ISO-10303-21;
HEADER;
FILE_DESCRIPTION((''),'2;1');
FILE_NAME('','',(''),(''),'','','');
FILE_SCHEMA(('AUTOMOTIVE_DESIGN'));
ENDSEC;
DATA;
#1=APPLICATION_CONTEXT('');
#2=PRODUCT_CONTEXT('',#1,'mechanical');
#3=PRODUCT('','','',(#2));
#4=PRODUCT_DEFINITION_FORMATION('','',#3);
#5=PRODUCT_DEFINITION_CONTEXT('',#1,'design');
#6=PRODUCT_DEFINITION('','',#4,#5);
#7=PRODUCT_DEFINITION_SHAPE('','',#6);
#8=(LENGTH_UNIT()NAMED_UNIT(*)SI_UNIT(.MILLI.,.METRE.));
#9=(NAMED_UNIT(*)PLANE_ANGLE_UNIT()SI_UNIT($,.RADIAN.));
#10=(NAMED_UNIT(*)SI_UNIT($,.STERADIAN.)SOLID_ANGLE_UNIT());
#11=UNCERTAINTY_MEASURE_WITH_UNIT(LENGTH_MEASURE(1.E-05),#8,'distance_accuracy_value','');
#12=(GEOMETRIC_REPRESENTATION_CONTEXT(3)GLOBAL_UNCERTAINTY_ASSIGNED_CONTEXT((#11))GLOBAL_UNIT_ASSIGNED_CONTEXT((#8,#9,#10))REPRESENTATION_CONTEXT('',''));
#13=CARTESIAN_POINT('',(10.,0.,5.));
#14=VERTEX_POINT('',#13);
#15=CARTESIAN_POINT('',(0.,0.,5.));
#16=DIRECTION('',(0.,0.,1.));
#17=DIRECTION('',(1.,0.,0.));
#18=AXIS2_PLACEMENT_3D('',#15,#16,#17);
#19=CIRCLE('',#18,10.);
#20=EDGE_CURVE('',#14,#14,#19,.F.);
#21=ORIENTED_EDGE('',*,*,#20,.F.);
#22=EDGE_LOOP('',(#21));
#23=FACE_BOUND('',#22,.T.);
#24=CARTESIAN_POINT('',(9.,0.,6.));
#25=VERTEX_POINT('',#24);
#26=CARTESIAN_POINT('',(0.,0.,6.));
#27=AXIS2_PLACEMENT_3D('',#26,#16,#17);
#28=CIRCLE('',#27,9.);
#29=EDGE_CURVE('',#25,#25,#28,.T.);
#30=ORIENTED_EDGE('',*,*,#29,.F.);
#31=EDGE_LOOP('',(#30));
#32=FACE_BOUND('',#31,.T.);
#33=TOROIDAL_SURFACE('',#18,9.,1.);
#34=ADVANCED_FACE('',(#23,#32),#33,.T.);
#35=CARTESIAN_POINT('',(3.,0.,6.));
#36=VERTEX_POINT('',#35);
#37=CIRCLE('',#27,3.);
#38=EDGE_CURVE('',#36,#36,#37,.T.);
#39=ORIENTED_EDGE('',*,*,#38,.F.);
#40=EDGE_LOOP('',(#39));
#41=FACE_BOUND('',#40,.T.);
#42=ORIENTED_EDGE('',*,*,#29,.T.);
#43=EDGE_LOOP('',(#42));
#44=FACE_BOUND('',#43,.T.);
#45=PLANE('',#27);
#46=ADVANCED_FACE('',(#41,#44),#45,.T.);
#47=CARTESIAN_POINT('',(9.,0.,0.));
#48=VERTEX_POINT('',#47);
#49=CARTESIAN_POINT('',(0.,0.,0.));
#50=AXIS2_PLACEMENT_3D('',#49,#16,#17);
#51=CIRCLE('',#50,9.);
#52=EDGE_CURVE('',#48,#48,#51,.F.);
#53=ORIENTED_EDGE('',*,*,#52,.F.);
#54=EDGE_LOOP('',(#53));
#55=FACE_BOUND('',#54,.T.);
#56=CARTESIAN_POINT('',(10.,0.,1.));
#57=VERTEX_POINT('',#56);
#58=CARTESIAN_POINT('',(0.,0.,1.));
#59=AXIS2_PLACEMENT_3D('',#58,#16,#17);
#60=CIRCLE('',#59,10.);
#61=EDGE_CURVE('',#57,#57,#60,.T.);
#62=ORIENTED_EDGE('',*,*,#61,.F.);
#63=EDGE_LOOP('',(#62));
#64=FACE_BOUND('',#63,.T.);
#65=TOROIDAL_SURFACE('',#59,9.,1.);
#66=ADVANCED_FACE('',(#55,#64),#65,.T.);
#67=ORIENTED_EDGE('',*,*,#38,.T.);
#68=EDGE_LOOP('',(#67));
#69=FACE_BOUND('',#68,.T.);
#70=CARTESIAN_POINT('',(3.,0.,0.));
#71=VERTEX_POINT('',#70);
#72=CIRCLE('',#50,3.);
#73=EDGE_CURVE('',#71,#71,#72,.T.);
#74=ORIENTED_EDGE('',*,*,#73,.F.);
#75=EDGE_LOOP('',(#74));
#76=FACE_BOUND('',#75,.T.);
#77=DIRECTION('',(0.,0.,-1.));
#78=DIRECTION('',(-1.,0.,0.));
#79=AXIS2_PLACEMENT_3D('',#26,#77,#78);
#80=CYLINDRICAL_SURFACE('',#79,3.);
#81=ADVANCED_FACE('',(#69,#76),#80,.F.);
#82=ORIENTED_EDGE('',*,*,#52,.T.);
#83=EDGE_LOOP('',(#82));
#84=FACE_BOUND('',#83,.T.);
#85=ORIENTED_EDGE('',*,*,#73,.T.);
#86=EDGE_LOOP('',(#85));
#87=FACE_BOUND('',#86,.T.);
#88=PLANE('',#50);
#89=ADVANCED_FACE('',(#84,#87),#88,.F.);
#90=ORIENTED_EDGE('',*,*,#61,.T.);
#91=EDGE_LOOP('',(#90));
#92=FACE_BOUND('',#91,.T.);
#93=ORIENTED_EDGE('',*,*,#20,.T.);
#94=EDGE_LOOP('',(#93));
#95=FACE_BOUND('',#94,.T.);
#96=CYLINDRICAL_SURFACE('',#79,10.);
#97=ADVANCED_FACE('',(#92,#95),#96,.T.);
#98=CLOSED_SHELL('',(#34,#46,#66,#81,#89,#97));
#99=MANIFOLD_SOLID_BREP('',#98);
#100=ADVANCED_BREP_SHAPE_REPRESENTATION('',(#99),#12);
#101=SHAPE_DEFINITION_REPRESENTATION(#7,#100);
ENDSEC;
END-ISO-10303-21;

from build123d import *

# Parameters (mm, degrees)
SKETCH_1_R      = 10
SKETCH_1_R_2    = 3
EXTRUDE_1_DEPTH = 6
FILLET_1_R      = 1


with BuildPart() as part:
    # 草图1 → 凸台-拉伸1 (new body)
    with BuildSketch(Plane.XY):
        Circle(SKETCH_1_R)
        Circle(SKETCH_1_R_2, mode=Mode.SUBTRACT)
    extrude(amount=EXTRUDE_1_DEPTH)

    # 圆角1
    fillet_1_edges = [part.edges().sort_by_distance(p)[0] for p in [
        (-10, 0, 0),
        (-10, 0, 6),
    ]]
    fillet(fillet_1_edges, radius=FILLET_1_R)


solid = part.part
